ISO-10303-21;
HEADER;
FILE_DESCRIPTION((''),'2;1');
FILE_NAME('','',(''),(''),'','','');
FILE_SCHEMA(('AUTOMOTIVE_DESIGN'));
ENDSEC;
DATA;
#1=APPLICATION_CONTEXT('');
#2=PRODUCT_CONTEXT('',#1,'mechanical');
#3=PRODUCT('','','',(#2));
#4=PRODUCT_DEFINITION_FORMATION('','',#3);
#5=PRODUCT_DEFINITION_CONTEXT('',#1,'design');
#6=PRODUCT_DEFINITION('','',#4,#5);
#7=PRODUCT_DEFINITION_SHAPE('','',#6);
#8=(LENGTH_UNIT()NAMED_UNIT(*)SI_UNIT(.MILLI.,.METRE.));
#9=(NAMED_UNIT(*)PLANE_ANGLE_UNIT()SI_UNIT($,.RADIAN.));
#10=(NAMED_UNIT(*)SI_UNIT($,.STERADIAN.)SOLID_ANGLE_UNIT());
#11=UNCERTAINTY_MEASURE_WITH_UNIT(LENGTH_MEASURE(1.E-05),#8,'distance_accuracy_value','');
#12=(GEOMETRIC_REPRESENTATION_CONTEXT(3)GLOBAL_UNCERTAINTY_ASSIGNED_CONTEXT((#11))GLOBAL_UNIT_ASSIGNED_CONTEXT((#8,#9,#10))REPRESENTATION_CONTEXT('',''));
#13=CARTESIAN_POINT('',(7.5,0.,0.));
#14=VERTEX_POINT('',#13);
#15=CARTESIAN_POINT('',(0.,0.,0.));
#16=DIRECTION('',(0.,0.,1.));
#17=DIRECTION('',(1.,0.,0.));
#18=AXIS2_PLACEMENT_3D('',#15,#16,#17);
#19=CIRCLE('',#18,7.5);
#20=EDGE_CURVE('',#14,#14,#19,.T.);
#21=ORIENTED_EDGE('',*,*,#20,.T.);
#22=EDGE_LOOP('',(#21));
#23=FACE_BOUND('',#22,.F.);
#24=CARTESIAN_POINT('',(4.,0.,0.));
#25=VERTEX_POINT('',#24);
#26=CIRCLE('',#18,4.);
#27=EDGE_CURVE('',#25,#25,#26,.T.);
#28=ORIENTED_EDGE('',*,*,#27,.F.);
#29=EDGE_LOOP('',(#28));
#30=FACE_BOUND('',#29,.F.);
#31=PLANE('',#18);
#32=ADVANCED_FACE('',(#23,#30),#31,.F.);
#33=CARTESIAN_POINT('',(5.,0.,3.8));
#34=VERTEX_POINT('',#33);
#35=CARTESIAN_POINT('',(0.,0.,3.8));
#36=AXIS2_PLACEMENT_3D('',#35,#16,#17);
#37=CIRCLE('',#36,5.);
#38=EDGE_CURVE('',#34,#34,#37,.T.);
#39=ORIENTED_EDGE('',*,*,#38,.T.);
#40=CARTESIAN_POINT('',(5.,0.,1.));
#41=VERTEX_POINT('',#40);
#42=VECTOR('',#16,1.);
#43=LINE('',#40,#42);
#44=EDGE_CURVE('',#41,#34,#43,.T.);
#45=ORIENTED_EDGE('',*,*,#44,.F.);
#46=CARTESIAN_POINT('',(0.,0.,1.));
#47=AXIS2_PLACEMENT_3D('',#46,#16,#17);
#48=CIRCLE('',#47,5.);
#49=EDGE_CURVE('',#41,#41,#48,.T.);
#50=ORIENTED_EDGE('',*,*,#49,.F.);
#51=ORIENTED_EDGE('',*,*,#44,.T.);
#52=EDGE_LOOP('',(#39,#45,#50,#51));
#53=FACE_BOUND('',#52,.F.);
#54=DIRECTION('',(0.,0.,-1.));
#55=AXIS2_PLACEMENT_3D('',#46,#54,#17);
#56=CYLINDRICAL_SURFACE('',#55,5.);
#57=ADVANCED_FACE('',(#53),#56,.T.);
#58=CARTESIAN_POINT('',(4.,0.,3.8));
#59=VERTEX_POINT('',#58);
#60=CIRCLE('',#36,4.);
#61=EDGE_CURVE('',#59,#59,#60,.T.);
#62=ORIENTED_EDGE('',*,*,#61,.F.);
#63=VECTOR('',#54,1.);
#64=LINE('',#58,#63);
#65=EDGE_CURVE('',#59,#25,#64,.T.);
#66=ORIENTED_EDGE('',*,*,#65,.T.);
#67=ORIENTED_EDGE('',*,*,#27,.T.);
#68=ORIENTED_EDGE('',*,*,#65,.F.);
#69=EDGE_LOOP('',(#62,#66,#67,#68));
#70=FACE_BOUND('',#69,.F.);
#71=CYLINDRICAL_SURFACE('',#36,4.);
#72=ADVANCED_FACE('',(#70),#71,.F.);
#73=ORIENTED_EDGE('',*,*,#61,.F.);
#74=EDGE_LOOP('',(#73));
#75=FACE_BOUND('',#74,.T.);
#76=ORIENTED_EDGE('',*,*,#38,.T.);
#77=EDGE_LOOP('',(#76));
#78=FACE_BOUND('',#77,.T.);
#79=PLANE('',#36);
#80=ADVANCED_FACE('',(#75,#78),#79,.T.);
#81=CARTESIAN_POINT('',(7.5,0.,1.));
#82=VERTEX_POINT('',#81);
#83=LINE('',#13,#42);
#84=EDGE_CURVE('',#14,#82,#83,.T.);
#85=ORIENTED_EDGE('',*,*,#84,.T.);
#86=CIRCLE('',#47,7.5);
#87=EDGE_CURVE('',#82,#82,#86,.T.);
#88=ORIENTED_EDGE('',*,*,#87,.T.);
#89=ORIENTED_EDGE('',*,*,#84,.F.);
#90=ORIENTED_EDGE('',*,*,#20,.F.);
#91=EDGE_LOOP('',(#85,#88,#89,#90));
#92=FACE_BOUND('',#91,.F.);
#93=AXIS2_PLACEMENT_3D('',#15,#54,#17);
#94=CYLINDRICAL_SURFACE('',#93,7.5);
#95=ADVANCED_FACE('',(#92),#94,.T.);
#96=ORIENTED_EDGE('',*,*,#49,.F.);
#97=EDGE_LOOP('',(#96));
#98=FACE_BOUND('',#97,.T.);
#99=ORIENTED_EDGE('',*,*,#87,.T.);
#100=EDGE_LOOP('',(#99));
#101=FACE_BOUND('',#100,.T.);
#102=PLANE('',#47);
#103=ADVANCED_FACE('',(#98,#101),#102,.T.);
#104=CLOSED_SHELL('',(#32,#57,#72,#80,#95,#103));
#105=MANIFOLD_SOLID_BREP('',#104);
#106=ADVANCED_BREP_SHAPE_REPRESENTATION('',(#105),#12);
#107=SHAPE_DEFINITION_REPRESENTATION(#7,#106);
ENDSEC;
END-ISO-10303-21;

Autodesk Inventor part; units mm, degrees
ref_plane "YZ Plane" through (0, 0, 0) normal (1, 0, 0) x (0, 1, 0)
ref_plane "XZ Plane" through (0, 0, 0) normal (0, 1, 0) x (-1, 0, 0)
ref_plane "XY Plane" through (0, 0, 0) normal (0, 0, 1) x (1, 0, 0)
sketch "スケッチ1" plane through (0, 0, 0) normal (0, 0, 1) x (1, 0, 0)
  circle A0 centre (0, 0) radius 7.5
  dimension "d0" = 15
extrude "押し出し1" add sketch "スケッチ1" along normal blind 1
sketch "スケッチ2" plane through (0, 0, 1) normal (0, 0, 1) x (1, 0, 0)
  circle A0 centre (0, 0) radius 5
  dimension "d3" = 10
extrude "押し出し2" add sketch "スケッチ2" along normal blind 2.8
sketch "スケッチ3" plane through (0, 0, 3.8) normal (0, 0, 1) x (1, 0, 0)
  circle A0 centre (0, 0) radius 5 projected
  circle A1 centre (0, 0) radius 5 projected
  circle A2 centre (0, 0) radius 4
  dimension "d6" = 8
extrude "押し出し3" cut sketch "スケッチ3" against normal through all contours A2
properties part number "oiles_bush8" material "ABS プラスチック"
